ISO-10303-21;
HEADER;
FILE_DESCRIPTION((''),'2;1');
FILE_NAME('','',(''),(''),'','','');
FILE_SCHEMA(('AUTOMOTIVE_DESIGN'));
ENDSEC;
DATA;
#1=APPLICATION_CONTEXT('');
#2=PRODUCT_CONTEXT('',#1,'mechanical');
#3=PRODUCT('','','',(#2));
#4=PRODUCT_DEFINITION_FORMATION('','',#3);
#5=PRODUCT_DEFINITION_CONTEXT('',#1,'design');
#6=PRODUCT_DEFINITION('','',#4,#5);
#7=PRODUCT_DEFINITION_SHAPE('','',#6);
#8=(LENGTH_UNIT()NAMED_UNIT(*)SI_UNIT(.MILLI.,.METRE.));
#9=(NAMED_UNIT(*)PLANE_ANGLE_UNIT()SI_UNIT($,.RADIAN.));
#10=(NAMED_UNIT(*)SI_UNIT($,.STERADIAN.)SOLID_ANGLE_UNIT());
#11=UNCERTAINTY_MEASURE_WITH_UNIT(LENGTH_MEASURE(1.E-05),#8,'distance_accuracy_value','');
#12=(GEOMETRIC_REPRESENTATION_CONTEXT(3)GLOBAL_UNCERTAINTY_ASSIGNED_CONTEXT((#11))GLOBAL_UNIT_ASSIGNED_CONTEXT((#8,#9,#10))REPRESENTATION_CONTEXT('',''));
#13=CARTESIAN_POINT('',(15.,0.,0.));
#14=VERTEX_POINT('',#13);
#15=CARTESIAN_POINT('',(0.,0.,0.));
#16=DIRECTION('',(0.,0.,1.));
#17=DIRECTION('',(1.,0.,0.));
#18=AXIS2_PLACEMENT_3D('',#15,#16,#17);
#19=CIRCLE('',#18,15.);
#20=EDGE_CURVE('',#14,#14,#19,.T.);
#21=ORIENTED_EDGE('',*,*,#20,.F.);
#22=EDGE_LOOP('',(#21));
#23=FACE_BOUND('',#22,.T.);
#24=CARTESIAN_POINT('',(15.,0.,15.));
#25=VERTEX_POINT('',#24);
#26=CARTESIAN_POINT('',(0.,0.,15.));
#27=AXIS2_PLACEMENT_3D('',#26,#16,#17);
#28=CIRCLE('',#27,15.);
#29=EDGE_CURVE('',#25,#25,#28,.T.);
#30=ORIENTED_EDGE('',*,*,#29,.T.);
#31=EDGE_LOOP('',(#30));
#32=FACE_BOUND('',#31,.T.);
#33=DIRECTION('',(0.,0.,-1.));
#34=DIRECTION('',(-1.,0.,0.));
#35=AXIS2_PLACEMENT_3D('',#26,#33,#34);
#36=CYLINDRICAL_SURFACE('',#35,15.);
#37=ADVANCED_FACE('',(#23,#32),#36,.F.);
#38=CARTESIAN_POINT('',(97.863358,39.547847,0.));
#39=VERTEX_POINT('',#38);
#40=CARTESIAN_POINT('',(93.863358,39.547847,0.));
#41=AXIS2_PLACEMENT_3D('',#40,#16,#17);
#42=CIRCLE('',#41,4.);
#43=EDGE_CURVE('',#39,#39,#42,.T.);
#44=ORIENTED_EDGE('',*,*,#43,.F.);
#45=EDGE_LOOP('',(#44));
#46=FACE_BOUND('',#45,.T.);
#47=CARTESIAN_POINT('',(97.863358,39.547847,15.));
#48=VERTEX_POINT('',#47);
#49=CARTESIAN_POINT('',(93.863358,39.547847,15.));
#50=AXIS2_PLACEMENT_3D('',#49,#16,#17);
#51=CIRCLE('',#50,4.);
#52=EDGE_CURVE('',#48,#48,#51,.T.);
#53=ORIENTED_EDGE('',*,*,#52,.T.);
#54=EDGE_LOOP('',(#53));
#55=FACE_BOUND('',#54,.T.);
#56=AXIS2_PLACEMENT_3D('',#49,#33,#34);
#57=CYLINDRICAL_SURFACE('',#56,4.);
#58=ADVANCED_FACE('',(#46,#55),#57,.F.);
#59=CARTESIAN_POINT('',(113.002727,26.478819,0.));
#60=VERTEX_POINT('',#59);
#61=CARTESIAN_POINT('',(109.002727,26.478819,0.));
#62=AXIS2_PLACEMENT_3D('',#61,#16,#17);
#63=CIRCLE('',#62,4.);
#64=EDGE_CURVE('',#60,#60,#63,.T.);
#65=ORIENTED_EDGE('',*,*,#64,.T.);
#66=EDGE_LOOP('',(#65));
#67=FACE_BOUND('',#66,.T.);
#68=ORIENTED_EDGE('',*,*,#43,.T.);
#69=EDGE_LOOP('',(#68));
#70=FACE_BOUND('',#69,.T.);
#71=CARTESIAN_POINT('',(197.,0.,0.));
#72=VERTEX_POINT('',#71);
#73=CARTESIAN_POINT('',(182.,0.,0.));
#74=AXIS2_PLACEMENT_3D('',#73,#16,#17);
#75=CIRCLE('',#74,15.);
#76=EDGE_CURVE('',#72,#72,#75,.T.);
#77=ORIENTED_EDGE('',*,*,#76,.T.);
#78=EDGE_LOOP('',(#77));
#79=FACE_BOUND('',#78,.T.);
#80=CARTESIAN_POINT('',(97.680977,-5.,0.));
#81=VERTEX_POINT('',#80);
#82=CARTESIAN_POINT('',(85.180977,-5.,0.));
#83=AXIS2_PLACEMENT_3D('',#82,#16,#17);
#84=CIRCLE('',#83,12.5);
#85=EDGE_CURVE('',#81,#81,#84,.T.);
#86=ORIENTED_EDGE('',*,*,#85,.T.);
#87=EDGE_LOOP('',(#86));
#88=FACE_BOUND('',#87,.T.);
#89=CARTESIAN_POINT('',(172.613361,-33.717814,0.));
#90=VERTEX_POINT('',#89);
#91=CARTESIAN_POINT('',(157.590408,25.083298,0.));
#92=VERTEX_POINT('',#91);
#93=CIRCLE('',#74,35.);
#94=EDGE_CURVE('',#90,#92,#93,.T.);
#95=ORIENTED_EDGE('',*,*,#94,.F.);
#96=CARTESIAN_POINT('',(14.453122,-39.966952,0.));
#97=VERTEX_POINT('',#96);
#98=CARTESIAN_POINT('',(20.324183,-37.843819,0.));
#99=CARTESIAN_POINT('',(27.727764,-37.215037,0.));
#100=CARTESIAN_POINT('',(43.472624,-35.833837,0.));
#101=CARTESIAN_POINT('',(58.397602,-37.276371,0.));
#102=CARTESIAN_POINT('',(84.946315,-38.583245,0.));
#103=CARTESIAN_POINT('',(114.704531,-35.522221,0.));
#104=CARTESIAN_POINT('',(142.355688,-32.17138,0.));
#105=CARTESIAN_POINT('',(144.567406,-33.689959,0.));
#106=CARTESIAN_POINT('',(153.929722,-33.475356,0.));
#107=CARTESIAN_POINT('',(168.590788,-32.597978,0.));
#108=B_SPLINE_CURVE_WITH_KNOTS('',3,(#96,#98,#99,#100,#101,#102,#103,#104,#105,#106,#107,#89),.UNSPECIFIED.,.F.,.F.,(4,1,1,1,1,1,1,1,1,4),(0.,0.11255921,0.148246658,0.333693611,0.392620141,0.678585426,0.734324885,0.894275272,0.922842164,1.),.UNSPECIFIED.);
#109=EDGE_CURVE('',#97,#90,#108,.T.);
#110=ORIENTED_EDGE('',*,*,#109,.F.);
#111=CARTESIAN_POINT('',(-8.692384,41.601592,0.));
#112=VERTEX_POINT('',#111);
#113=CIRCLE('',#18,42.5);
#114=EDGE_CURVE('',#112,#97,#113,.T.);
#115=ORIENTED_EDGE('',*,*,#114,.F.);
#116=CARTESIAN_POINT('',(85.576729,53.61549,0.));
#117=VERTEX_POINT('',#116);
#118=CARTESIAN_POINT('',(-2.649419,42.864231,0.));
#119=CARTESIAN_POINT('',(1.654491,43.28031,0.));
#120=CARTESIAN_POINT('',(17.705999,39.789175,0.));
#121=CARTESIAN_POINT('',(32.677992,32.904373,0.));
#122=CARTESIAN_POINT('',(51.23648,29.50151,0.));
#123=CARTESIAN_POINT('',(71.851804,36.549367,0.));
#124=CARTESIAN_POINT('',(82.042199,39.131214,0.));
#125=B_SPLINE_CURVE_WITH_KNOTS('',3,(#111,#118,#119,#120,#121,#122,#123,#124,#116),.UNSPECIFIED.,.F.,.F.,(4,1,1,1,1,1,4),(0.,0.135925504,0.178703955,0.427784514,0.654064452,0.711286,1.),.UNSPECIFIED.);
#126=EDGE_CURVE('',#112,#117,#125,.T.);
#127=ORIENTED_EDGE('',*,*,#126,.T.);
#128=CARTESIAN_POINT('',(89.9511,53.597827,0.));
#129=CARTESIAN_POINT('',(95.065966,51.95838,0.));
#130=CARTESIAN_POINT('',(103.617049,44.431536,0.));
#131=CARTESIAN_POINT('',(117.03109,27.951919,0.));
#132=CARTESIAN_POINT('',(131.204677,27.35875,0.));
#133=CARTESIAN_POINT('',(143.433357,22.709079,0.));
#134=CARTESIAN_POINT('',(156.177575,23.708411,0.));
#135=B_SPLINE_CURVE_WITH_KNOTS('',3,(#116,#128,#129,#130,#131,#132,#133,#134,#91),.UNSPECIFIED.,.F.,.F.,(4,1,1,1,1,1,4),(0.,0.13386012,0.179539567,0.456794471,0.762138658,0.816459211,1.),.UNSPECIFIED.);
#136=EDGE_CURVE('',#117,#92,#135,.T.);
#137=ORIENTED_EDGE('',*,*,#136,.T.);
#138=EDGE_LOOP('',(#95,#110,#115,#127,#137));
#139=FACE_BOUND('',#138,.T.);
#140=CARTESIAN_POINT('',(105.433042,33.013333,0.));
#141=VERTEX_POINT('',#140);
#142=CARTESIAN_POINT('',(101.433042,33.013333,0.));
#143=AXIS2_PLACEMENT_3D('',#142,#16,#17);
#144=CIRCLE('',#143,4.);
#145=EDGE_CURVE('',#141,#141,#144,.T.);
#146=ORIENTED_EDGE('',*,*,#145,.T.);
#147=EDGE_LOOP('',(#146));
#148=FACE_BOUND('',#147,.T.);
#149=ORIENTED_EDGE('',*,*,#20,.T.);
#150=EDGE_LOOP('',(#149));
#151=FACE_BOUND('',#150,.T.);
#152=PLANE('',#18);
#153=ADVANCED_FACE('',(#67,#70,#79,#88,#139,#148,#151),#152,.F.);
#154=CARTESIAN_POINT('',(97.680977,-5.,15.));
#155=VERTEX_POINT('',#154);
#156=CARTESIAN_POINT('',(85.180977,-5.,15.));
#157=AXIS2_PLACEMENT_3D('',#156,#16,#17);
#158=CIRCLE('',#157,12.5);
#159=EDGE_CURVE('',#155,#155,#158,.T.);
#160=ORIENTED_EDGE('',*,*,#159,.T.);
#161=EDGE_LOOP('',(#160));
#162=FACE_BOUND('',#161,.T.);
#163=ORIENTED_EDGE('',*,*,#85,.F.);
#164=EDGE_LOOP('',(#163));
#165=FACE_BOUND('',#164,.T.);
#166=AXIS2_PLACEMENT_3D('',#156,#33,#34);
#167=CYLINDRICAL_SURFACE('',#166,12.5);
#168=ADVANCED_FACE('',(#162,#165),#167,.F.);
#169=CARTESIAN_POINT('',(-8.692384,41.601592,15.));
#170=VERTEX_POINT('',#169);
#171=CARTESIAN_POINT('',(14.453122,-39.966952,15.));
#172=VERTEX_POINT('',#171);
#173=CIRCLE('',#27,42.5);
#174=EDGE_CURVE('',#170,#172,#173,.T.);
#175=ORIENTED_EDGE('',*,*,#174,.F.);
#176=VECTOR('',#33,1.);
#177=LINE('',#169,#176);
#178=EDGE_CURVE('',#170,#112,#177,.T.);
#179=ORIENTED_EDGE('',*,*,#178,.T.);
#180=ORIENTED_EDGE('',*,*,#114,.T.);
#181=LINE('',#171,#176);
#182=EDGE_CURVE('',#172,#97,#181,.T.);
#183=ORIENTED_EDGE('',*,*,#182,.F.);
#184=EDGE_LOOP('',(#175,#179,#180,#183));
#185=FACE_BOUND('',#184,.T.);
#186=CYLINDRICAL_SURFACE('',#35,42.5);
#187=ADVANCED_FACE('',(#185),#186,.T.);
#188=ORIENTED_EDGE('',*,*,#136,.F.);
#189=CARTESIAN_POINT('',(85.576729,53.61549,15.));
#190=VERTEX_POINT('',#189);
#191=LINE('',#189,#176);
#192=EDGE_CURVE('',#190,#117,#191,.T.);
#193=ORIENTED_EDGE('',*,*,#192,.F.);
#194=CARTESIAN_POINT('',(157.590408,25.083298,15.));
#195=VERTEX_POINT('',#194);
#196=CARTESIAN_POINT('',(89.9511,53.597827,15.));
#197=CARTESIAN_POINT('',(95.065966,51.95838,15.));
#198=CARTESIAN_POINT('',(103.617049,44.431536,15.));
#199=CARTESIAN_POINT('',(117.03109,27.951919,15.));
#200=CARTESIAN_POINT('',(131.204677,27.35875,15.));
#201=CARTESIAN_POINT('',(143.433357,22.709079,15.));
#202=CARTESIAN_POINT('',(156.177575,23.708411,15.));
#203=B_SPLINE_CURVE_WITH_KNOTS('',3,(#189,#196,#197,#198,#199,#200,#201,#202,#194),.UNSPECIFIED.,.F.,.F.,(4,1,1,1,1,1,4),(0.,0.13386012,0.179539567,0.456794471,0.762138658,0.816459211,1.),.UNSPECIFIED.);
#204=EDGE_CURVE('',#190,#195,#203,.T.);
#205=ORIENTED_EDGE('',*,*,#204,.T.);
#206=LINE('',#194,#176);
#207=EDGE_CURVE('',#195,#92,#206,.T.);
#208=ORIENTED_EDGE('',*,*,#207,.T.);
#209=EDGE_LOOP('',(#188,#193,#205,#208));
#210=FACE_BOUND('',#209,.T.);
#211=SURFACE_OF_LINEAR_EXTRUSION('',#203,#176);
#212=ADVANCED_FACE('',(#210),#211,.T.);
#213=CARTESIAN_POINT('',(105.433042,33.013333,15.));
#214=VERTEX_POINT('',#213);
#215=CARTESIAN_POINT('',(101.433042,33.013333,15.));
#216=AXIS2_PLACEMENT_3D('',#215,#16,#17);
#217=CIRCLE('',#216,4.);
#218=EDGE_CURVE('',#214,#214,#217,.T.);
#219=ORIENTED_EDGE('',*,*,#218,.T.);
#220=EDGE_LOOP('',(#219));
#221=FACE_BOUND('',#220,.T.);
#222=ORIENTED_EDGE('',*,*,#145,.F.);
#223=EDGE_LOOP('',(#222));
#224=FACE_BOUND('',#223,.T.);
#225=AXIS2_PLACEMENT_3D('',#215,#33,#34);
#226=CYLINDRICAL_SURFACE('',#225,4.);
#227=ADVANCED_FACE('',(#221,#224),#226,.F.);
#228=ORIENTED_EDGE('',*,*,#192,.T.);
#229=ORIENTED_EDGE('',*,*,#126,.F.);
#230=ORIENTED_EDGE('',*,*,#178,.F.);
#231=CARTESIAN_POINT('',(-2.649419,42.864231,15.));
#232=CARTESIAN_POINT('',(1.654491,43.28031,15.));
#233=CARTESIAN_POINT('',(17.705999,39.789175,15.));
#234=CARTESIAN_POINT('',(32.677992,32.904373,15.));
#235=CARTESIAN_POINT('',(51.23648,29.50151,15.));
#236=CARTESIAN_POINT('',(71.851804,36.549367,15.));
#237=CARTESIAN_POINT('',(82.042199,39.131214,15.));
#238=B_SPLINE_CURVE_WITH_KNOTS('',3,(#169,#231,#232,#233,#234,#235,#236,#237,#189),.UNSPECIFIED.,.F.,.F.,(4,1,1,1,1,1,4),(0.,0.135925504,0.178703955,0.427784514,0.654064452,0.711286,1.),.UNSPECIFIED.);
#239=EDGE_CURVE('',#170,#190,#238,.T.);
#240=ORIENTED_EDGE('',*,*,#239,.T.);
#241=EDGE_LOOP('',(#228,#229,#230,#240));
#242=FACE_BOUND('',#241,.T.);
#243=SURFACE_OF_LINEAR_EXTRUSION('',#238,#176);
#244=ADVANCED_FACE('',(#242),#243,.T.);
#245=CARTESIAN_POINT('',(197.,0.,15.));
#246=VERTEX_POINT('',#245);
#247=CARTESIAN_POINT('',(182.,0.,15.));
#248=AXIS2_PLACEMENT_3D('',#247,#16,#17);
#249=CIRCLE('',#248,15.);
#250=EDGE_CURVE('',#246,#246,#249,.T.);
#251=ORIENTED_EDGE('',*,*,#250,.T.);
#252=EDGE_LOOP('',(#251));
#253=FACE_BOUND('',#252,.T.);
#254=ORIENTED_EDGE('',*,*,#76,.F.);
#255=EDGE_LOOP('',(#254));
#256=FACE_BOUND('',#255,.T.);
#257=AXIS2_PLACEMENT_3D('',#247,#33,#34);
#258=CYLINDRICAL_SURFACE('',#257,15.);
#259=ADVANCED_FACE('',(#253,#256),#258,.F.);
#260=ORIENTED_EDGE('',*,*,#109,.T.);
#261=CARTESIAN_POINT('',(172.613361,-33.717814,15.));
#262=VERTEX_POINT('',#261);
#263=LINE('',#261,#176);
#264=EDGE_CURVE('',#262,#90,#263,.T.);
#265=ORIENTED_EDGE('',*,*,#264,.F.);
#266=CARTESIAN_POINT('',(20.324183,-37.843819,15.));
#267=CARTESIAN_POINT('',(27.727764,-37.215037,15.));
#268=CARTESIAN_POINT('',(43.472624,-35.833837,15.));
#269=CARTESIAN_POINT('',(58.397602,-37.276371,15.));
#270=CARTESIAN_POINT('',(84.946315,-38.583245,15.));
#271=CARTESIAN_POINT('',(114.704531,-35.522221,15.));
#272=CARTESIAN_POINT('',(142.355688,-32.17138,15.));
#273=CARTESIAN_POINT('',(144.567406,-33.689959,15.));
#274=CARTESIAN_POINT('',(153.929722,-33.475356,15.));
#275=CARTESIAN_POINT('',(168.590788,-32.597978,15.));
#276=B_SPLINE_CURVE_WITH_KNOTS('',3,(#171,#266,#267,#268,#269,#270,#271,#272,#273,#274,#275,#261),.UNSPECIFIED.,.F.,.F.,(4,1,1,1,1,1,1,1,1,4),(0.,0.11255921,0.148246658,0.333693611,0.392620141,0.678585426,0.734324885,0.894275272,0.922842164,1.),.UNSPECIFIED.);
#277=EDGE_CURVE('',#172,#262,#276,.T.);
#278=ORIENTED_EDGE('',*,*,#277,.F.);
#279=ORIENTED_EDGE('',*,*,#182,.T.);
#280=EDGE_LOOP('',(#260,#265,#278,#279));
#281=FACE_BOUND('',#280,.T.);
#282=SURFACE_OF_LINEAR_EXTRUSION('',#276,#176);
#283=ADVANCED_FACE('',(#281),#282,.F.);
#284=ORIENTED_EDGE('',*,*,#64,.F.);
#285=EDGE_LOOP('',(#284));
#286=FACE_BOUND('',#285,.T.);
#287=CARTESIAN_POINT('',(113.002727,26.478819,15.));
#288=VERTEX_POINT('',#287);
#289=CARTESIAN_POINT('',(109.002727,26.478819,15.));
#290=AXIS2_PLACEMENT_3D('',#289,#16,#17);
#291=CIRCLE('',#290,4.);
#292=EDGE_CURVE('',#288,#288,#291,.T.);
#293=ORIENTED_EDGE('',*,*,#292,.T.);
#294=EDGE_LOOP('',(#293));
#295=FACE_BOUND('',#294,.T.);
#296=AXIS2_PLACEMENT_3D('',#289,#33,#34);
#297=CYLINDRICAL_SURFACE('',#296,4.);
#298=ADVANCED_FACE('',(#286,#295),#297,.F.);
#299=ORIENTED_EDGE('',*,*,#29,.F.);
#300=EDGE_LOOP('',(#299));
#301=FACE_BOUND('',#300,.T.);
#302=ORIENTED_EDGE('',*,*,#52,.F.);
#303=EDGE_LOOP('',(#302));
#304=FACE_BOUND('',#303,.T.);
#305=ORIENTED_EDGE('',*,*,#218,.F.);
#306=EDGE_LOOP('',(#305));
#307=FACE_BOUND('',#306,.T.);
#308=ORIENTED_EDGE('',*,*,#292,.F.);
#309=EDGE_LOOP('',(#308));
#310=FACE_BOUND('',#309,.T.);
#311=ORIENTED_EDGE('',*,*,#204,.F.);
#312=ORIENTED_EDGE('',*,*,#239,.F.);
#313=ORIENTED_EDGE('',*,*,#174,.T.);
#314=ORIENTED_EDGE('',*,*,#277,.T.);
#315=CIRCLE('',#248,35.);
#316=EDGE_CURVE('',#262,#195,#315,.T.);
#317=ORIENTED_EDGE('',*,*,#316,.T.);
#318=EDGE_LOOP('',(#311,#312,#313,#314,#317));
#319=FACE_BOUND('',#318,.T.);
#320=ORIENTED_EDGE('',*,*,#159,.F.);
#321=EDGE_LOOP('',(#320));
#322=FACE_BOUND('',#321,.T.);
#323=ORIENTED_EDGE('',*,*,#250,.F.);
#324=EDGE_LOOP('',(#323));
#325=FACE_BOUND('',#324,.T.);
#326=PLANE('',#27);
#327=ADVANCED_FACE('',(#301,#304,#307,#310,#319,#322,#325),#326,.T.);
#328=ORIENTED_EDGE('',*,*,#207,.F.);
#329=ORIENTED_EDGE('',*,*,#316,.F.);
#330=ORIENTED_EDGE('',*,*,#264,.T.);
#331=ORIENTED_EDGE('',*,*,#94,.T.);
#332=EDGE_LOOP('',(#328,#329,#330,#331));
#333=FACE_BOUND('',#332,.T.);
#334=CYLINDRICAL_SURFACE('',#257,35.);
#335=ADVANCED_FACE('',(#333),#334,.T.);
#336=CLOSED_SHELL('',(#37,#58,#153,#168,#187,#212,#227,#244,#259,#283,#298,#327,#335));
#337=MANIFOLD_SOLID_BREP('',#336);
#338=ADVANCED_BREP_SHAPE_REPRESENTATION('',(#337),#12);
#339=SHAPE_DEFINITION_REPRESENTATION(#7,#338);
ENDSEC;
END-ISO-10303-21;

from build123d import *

# Parameters (mm, degrees)
SKETCH1_R           = 15
SKETCH1_R_2         = 12.5
SKETCH1_R_3         = 4
BOSS_EXTRUDE1_DEPTH = 15


with BuildPart() as part:
    # Sketch1 → Boss-Extrude1 (new body)
    with BuildSketch(Plane.XY):
        with BuildLine():
            ThreePointArc((-8.692383901, 41.601592062), (-40.885857936, -11.601578378), (14.453121839, -39.966952212))
            add(Edge.make_bspline(
                [(14.453121839, -39.966952212), (20.324183093, -37.843819), (27.727764191, -37.215036977), (43.472623732, -35.833837226), (58.397602455, -37.276370761), (84.946315016, -38.583245304), (114.704531254, -35.522221035), (142.355688015, -32.171380422), (144.567405538, -33.689959174), (153.929721624, -33.475356197), (168.590787669, -32.59797777), (172.613360968, -33.717814397)],
                knots=[0, 0, 0, 0, 0.11255921, 0.148246658, 0.333693611, 0.392620141, 0.678585426, 0.734324885, 0.894275272, 0.922842164, 1, 1, 1, 1], degree=3))
            ThreePointArc((172.613360968, -33.717814397), (215.91075058, 8.663774875), (157.59040834, 25.083297929))
            add(Edge.make_bspline(
                [(85.576729013, 53.615490069), (89.951099637, 53.597826548), (95.065965871, 51.958379885), (103.617048542, 44.431536157), (117.031089923, 27.951919231), (131.204676748, 27.358750312), (143.43335667, 22.709079443), (156.177574778, 23.708411323), (157.59040834, 25.083297929)],
                knots=[0, 0, 0, 0, 0.13386012, 0.179539567, 0.456794471, 0.762138658, 0.816459211, 1, 1, 1, 1], degree=3))
            add(Edge.make_bspline(
                [(-8.692383901, 41.601592062), (-2.649418853, 42.86423057), (1.654490906, 43.280309596), (17.705998641, 39.789174665), (32.677991729, 32.904373306), (51.236480337, 29.501510111), (71.851804055, 36.549367458), (82.042198718, 39.131213847), (85.576729013, 53.615490069)],
                knots=[0, 0, 0, 0, 0.135925504, 0.178703955, 0.427784514, 0.654064452, 0.711286, 1, 1, 1, 1], degree=3))
        make_face()
        Circle(SKETCH1_R, mode=Mode.SUBTRACT)
        with Locations((182, 0)):
            Circle(SKETCH1_R, mode=Mode.SUBTRACT)
        with Locations((85.180976595, -5)):
            Circle(SKETCH1_R_2, mode=Mode.SUBTRACT)
        with Locations((93.863357503, 39.547847307)):
            Circle(SKETCH1_R_3, mode=Mode.SUBTRACT)
        with Locations((101.433042145, 33.013333215)):
            Circle(SKETCH1_R_3, mode=Mode.SUBTRACT)
        with Locations((109.002726787, 26.478819122)):
            Circle(SKETCH1_R_3, mode=Mode.SUBTRACT)
    extrude(amount=BOSS_EXTRUDE1_DEPTH)


solid = part.part
